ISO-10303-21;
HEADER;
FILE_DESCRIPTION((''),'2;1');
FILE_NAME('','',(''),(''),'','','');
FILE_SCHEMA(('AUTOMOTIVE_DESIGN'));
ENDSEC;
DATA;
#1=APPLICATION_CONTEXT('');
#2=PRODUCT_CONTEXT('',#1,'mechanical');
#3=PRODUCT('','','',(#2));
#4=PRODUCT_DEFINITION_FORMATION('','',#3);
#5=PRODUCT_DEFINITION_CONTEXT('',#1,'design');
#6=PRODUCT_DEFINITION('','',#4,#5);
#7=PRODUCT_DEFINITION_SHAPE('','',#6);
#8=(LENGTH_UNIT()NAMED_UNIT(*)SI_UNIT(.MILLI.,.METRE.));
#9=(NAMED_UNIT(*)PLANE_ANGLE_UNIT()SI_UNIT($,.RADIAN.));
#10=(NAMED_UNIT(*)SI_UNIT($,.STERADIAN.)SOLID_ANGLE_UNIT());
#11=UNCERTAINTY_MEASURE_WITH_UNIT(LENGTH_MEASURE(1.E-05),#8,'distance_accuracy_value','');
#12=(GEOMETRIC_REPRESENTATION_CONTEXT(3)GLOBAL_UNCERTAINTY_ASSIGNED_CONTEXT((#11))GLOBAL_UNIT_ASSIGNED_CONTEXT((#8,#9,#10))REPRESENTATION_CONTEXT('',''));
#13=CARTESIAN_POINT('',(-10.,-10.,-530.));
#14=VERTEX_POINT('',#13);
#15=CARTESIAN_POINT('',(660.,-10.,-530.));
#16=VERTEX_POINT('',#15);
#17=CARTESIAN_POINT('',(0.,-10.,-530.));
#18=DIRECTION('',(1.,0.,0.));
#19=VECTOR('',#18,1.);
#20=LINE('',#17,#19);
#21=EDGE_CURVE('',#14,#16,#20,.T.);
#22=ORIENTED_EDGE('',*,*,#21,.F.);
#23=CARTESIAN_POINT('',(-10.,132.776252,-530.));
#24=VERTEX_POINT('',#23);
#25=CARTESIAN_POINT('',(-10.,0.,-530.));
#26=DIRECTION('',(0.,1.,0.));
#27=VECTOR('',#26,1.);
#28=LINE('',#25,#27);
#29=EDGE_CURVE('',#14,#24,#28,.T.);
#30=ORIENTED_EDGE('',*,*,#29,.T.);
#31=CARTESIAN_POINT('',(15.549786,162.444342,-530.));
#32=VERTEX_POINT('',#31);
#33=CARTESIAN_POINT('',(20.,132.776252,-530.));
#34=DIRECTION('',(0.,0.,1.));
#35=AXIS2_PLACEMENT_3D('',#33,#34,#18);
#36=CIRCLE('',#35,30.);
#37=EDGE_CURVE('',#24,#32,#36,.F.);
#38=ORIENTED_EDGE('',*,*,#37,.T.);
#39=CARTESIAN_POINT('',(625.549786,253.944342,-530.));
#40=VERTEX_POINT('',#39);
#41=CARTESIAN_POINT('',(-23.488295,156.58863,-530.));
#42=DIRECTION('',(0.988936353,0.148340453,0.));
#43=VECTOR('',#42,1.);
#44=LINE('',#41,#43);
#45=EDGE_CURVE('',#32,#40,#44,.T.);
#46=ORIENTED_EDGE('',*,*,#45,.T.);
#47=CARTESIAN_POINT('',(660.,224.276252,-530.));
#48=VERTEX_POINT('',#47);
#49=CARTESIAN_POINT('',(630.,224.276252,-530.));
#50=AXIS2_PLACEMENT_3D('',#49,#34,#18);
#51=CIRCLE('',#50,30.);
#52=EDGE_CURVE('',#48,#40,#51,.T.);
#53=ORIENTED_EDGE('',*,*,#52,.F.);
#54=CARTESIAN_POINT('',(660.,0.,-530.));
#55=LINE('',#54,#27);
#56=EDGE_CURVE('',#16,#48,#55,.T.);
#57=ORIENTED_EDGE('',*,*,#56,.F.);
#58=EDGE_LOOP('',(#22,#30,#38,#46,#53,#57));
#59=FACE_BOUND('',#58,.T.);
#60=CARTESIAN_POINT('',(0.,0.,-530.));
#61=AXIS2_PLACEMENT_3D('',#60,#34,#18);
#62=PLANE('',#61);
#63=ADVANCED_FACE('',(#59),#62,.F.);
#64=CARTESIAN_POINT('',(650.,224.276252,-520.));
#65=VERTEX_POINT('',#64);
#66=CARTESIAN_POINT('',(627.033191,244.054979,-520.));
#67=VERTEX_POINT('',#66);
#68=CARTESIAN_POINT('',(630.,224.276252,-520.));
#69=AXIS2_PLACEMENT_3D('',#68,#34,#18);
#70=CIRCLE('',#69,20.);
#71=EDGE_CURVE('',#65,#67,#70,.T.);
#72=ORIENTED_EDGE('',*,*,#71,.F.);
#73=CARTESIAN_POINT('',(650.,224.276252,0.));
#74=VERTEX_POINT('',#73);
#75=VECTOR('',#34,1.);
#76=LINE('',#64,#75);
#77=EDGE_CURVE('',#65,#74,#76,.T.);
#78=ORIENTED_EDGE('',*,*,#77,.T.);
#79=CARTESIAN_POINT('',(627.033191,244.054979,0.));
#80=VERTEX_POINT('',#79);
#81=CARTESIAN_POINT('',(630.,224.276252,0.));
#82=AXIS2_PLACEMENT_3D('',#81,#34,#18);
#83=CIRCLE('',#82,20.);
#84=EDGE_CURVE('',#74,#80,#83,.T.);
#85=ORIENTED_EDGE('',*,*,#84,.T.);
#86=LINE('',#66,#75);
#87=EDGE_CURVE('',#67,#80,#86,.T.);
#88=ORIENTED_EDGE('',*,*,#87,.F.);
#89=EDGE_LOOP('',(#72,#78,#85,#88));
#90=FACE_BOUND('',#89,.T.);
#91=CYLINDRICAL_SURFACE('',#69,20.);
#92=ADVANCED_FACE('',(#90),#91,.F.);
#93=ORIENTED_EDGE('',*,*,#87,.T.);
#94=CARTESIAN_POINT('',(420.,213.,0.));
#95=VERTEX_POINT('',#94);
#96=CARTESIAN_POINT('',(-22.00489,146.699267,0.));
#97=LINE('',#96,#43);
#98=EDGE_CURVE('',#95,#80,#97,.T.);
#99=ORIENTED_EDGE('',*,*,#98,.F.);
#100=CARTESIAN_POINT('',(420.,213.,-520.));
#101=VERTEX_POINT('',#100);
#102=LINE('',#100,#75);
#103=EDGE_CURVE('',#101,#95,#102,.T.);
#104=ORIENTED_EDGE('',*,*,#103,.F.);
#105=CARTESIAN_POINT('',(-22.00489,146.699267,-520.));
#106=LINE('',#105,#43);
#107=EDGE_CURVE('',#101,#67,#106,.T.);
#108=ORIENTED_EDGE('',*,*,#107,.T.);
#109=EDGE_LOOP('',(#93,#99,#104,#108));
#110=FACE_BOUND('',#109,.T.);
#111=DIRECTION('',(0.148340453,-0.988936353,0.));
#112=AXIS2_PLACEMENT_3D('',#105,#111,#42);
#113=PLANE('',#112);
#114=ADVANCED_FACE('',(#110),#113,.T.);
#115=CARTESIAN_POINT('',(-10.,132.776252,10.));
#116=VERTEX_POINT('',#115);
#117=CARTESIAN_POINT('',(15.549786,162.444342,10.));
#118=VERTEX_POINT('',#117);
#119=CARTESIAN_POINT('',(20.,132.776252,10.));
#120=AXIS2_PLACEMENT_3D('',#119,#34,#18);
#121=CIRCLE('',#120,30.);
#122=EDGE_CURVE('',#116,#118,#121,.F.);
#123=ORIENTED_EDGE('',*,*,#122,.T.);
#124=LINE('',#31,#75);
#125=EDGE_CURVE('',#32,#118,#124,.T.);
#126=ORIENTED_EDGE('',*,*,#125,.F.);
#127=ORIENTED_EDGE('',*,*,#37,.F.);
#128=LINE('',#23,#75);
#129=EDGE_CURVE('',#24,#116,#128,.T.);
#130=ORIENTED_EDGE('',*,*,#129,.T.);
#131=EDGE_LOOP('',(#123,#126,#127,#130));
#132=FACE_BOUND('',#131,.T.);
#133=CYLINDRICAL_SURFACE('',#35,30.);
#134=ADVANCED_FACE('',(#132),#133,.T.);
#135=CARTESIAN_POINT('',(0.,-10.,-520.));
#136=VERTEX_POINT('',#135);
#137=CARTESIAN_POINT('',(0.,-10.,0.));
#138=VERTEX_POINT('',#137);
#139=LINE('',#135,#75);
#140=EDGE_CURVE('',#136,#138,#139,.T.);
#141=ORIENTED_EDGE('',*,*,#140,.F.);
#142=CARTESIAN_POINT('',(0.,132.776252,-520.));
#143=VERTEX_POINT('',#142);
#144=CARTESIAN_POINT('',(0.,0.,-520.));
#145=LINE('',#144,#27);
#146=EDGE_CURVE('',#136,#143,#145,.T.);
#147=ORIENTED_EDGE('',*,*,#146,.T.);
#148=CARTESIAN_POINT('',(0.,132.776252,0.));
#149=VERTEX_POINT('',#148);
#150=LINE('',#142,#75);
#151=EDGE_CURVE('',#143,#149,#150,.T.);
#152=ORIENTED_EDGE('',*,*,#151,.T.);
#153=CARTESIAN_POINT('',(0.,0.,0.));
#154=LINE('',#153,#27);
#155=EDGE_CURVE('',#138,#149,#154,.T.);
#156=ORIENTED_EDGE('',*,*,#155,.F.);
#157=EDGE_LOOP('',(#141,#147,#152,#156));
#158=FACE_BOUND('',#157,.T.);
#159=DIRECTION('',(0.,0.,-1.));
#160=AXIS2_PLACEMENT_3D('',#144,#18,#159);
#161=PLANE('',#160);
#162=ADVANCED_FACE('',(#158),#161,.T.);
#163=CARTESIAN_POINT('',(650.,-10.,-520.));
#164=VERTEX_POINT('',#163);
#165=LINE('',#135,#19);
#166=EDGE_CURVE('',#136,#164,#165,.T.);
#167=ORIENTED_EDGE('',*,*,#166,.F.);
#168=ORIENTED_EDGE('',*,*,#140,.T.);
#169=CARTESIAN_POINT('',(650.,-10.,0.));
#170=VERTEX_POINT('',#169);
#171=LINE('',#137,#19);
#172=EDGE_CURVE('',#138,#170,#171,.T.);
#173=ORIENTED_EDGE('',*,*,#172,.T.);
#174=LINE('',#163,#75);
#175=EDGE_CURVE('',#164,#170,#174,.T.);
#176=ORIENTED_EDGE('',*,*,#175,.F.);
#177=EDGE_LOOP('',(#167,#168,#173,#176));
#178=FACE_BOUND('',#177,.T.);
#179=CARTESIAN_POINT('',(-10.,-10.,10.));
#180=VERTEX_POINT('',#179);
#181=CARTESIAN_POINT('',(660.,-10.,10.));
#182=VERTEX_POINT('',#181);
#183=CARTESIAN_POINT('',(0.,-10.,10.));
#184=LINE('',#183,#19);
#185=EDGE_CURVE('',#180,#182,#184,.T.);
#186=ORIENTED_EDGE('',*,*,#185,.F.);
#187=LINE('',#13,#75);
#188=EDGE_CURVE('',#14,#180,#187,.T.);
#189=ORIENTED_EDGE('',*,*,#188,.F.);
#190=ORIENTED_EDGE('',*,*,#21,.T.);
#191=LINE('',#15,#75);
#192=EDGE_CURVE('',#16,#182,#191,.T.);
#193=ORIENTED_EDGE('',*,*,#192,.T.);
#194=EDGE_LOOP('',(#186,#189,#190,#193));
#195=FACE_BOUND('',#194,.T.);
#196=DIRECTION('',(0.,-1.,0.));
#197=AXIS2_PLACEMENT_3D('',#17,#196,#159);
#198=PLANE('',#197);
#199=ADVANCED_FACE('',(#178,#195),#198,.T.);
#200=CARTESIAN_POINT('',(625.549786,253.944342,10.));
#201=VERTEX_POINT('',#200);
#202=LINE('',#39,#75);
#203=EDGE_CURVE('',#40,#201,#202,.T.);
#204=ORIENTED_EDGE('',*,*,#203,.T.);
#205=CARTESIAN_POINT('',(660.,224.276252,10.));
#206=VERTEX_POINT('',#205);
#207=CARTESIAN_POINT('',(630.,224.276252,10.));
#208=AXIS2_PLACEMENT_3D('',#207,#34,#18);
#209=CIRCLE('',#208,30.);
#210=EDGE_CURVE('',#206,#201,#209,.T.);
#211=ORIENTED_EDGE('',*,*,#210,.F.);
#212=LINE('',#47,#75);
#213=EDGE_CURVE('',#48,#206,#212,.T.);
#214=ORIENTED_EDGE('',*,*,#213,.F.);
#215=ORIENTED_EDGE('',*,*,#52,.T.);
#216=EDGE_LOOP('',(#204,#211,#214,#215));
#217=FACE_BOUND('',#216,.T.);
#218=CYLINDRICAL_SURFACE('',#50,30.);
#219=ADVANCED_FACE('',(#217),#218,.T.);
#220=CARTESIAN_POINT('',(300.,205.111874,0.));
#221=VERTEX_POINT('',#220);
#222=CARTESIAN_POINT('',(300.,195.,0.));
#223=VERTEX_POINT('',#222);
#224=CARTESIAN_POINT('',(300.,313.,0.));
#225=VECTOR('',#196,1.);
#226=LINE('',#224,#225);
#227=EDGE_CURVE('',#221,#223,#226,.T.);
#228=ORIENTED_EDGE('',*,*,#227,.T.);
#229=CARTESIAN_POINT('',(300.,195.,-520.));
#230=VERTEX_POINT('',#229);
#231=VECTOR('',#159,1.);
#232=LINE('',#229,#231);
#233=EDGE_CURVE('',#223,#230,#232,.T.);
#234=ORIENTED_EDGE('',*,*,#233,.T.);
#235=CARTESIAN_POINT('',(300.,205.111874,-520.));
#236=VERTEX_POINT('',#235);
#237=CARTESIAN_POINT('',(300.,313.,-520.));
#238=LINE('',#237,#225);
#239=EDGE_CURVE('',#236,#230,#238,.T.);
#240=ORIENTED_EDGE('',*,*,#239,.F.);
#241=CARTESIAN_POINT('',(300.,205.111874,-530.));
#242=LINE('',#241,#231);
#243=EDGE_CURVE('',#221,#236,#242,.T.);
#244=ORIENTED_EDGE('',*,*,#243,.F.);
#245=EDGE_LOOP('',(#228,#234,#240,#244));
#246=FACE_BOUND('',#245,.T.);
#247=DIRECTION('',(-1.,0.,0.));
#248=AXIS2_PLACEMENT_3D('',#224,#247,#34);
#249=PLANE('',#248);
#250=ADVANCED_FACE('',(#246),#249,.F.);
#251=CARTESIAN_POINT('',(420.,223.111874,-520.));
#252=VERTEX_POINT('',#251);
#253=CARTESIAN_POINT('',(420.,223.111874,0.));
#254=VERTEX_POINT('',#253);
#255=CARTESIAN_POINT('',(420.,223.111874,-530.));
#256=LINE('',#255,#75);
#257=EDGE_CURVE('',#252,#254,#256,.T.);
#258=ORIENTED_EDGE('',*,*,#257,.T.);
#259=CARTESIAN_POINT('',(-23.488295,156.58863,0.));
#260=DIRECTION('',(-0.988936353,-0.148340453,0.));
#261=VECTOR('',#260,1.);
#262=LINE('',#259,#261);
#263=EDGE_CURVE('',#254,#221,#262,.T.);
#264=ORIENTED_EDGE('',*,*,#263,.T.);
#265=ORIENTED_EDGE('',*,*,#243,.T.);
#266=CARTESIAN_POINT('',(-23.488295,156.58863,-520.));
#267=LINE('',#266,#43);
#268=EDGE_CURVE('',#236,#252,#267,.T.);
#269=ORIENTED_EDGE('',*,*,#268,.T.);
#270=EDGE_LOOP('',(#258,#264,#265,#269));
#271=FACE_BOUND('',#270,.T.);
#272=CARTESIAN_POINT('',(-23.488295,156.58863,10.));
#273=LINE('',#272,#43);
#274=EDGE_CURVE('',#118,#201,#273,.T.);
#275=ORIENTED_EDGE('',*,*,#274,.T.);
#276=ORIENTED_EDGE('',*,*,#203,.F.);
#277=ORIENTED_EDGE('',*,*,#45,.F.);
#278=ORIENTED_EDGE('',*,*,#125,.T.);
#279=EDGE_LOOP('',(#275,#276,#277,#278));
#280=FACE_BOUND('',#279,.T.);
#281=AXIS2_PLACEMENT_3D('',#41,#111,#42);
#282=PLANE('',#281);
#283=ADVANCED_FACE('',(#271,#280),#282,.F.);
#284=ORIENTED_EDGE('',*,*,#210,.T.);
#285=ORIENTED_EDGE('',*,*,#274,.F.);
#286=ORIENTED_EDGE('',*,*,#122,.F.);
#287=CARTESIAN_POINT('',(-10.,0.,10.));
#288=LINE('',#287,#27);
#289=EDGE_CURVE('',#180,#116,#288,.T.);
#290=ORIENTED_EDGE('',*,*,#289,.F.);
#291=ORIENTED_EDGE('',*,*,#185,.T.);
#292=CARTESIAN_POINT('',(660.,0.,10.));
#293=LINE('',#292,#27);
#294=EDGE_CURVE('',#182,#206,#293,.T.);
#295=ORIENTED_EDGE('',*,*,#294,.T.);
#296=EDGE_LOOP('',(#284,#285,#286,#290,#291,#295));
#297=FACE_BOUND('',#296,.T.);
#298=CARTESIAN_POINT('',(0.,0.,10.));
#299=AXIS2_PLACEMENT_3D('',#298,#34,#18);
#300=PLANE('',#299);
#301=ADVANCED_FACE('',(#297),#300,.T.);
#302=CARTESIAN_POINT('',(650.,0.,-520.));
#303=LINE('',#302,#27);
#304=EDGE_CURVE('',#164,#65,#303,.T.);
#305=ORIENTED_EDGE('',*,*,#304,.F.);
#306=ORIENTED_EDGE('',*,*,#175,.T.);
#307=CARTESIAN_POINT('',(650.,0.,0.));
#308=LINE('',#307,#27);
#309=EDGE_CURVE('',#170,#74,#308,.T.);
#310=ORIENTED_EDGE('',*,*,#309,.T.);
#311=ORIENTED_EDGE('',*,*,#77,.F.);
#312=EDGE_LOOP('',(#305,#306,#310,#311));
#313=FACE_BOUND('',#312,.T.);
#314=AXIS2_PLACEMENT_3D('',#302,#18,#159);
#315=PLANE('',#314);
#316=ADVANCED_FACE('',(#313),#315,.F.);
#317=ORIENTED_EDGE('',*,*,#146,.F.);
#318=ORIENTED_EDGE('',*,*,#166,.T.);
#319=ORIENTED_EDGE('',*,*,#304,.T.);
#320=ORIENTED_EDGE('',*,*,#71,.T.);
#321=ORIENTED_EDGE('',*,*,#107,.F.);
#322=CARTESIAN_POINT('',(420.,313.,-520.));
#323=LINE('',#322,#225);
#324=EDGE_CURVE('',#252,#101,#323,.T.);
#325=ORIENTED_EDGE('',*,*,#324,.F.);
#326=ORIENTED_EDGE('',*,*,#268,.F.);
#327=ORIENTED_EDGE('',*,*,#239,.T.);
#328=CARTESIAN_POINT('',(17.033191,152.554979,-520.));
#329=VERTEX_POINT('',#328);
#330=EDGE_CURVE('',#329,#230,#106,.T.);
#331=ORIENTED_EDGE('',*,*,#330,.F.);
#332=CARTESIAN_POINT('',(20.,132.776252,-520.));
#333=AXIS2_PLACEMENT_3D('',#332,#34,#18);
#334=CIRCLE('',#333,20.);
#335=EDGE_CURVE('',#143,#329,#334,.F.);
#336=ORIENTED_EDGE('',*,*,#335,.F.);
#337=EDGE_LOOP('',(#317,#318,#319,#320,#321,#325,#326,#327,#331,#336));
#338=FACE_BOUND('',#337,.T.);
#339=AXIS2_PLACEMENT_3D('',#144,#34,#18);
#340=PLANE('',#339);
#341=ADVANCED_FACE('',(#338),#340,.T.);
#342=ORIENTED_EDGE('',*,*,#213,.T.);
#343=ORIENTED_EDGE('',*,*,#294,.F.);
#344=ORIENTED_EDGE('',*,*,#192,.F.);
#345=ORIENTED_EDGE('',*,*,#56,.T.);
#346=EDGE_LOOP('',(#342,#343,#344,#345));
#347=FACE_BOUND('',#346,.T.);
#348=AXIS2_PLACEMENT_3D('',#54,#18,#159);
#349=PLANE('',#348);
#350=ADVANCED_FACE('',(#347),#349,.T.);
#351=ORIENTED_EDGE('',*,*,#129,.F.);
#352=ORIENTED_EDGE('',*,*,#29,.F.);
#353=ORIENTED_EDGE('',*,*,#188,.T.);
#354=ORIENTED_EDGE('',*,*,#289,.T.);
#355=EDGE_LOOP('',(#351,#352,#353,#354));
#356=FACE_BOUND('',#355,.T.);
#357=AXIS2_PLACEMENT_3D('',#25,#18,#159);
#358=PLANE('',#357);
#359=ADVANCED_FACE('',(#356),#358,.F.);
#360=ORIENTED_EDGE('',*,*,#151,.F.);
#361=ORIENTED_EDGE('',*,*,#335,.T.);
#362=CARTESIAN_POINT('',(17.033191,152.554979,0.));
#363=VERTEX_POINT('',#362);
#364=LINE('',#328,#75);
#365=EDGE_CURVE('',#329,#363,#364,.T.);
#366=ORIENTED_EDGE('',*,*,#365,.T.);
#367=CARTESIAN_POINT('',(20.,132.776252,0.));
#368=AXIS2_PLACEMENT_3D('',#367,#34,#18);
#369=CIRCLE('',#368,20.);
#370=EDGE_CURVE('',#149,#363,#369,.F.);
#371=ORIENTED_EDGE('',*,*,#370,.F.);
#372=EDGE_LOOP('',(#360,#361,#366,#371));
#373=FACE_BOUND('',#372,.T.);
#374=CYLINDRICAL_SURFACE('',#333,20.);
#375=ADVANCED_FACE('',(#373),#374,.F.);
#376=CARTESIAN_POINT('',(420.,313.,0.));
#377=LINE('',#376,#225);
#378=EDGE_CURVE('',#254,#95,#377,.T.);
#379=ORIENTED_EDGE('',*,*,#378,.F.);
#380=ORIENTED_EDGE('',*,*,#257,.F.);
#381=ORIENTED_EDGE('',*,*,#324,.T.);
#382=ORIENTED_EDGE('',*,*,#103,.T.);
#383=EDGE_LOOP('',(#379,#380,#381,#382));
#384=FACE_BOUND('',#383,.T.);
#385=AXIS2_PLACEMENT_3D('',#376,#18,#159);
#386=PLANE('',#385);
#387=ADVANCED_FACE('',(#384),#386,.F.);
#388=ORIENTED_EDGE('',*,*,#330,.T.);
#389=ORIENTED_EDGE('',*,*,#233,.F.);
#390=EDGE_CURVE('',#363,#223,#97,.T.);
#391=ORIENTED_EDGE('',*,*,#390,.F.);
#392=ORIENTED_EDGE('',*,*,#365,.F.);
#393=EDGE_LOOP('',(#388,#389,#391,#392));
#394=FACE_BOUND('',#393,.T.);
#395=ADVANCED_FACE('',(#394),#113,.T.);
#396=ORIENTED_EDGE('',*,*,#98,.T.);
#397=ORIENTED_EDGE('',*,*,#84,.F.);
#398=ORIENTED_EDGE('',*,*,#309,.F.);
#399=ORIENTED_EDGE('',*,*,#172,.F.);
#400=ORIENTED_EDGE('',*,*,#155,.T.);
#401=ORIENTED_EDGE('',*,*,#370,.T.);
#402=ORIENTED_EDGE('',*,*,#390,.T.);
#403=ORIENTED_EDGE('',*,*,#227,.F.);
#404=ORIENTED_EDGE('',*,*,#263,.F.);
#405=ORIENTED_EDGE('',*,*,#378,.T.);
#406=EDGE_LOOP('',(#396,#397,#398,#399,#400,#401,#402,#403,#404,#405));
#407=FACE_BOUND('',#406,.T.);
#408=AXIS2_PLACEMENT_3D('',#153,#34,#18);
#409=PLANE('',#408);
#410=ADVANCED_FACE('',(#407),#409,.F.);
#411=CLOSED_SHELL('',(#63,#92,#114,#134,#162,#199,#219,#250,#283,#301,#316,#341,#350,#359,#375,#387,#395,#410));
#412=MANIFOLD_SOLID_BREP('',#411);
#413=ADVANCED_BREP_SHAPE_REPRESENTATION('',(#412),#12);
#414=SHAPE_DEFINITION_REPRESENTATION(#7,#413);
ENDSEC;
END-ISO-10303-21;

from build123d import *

# Parameters (mm, degrees)
BOSS_EXTRUDE1_DEPTH = 530
CUT_EXTRUDE1_DEPTH  = 520
BOSS_EXTRUDE2_START = 10
BOSS_EXTRUDE2_DEPTH = 10
SKETCH4_W           = 120
SKETCH4_H           = 520
CUT_EXTRUDE2_DEPTH  = 313


with BuildPart() as part:
    # Sketch2 → Boss-Extrude1 (new body)
    with BuildSketch(Plane.XY):
        with BuildLine():
            Line((660, -10), (660, 224.276251584))
            ThreePointArc((660, 224.276251584), (649.576690123, 247.008457896), (625.549786412, 253.94434217))
            Line((625.549786412, 253.94434217), (15.549786412, 162.44434217))
            ThreePointArc((15.549786412, 162.44434217), (-2.732206312, 152.352941707), (-10, 132.776251584))
            Line((-10, 132.776251584), (-10, -10))
            Line((-10, -10), (660, -10))
        make_face()
    extrude(amount=-BOSS_EXTRUDE1_DEPTH)

    # Sketch2<3> → Cut-Extrude1 (cut)
    with BuildSketch(Plane.XY):
        with BuildLine():
            Line((650, -10), (650, 0))
            Line((650, 0), (650, 224.276251584))
            ThreePointArc((650, 224.276251584), (643.051126749, 239.431055792), (627.033190941, 244.054978641))
            Line((627.033190941, 244.054978641), (17.033190941, 152.554978641))
            ThreePointArc((17.033190941, 152.554978641), (4.845195792, 145.827378333), (0, 132.776251584))
            Line((0, 132.776251584), (0, 0))
            Line((0, 0), (0, -10))
            Line((0, -10), (650, -10))
        make_face()
    extrude(amount=-CUT_EXTRUDE1_DEPTH, mode=Mode.SUBTRACT)

    # Sketch2<4> → Boss-Extrude2 (add)
    with BuildSketch(Plane.XY.offset(BOSS_EXTRUDE2_START)):
        with BuildLine():
            Line((660, -10), (660, 224.276251584))
            ThreePointArc((660, 224.276251584), (649.576690123, 247.008457896), (625.549786412, 253.94434217))
            Line((625.549786412, 253.94434217), (15.549786412, 162.44434217))
            ThreePointArc((15.549786412, 162.44434217), (-2.732206312, 152.352941707), (-10, 132.776251584))
            Line((-10, 132.776251584), (-10, -10))
            Line((-10, -10), (660, -10))
        make_face()
    extrude(amount=-BOSS_EXTRUDE2_DEPTH)

    # Sketch4 → Cut-Extrude2 (cut)
    with BuildSketch(Plane(origin=(0, 0, 0), x_dir=(1, 0, 0), z_dir=(0, 1, 0))):
        with Locations((360, 260)):
            Rectangle(SKETCH4_W, SKETCH4_H)
    extrude(amount=CUT_EXTRUDE2_DEPTH, mode=Mode.SUBTRACT)


solid = part.part
